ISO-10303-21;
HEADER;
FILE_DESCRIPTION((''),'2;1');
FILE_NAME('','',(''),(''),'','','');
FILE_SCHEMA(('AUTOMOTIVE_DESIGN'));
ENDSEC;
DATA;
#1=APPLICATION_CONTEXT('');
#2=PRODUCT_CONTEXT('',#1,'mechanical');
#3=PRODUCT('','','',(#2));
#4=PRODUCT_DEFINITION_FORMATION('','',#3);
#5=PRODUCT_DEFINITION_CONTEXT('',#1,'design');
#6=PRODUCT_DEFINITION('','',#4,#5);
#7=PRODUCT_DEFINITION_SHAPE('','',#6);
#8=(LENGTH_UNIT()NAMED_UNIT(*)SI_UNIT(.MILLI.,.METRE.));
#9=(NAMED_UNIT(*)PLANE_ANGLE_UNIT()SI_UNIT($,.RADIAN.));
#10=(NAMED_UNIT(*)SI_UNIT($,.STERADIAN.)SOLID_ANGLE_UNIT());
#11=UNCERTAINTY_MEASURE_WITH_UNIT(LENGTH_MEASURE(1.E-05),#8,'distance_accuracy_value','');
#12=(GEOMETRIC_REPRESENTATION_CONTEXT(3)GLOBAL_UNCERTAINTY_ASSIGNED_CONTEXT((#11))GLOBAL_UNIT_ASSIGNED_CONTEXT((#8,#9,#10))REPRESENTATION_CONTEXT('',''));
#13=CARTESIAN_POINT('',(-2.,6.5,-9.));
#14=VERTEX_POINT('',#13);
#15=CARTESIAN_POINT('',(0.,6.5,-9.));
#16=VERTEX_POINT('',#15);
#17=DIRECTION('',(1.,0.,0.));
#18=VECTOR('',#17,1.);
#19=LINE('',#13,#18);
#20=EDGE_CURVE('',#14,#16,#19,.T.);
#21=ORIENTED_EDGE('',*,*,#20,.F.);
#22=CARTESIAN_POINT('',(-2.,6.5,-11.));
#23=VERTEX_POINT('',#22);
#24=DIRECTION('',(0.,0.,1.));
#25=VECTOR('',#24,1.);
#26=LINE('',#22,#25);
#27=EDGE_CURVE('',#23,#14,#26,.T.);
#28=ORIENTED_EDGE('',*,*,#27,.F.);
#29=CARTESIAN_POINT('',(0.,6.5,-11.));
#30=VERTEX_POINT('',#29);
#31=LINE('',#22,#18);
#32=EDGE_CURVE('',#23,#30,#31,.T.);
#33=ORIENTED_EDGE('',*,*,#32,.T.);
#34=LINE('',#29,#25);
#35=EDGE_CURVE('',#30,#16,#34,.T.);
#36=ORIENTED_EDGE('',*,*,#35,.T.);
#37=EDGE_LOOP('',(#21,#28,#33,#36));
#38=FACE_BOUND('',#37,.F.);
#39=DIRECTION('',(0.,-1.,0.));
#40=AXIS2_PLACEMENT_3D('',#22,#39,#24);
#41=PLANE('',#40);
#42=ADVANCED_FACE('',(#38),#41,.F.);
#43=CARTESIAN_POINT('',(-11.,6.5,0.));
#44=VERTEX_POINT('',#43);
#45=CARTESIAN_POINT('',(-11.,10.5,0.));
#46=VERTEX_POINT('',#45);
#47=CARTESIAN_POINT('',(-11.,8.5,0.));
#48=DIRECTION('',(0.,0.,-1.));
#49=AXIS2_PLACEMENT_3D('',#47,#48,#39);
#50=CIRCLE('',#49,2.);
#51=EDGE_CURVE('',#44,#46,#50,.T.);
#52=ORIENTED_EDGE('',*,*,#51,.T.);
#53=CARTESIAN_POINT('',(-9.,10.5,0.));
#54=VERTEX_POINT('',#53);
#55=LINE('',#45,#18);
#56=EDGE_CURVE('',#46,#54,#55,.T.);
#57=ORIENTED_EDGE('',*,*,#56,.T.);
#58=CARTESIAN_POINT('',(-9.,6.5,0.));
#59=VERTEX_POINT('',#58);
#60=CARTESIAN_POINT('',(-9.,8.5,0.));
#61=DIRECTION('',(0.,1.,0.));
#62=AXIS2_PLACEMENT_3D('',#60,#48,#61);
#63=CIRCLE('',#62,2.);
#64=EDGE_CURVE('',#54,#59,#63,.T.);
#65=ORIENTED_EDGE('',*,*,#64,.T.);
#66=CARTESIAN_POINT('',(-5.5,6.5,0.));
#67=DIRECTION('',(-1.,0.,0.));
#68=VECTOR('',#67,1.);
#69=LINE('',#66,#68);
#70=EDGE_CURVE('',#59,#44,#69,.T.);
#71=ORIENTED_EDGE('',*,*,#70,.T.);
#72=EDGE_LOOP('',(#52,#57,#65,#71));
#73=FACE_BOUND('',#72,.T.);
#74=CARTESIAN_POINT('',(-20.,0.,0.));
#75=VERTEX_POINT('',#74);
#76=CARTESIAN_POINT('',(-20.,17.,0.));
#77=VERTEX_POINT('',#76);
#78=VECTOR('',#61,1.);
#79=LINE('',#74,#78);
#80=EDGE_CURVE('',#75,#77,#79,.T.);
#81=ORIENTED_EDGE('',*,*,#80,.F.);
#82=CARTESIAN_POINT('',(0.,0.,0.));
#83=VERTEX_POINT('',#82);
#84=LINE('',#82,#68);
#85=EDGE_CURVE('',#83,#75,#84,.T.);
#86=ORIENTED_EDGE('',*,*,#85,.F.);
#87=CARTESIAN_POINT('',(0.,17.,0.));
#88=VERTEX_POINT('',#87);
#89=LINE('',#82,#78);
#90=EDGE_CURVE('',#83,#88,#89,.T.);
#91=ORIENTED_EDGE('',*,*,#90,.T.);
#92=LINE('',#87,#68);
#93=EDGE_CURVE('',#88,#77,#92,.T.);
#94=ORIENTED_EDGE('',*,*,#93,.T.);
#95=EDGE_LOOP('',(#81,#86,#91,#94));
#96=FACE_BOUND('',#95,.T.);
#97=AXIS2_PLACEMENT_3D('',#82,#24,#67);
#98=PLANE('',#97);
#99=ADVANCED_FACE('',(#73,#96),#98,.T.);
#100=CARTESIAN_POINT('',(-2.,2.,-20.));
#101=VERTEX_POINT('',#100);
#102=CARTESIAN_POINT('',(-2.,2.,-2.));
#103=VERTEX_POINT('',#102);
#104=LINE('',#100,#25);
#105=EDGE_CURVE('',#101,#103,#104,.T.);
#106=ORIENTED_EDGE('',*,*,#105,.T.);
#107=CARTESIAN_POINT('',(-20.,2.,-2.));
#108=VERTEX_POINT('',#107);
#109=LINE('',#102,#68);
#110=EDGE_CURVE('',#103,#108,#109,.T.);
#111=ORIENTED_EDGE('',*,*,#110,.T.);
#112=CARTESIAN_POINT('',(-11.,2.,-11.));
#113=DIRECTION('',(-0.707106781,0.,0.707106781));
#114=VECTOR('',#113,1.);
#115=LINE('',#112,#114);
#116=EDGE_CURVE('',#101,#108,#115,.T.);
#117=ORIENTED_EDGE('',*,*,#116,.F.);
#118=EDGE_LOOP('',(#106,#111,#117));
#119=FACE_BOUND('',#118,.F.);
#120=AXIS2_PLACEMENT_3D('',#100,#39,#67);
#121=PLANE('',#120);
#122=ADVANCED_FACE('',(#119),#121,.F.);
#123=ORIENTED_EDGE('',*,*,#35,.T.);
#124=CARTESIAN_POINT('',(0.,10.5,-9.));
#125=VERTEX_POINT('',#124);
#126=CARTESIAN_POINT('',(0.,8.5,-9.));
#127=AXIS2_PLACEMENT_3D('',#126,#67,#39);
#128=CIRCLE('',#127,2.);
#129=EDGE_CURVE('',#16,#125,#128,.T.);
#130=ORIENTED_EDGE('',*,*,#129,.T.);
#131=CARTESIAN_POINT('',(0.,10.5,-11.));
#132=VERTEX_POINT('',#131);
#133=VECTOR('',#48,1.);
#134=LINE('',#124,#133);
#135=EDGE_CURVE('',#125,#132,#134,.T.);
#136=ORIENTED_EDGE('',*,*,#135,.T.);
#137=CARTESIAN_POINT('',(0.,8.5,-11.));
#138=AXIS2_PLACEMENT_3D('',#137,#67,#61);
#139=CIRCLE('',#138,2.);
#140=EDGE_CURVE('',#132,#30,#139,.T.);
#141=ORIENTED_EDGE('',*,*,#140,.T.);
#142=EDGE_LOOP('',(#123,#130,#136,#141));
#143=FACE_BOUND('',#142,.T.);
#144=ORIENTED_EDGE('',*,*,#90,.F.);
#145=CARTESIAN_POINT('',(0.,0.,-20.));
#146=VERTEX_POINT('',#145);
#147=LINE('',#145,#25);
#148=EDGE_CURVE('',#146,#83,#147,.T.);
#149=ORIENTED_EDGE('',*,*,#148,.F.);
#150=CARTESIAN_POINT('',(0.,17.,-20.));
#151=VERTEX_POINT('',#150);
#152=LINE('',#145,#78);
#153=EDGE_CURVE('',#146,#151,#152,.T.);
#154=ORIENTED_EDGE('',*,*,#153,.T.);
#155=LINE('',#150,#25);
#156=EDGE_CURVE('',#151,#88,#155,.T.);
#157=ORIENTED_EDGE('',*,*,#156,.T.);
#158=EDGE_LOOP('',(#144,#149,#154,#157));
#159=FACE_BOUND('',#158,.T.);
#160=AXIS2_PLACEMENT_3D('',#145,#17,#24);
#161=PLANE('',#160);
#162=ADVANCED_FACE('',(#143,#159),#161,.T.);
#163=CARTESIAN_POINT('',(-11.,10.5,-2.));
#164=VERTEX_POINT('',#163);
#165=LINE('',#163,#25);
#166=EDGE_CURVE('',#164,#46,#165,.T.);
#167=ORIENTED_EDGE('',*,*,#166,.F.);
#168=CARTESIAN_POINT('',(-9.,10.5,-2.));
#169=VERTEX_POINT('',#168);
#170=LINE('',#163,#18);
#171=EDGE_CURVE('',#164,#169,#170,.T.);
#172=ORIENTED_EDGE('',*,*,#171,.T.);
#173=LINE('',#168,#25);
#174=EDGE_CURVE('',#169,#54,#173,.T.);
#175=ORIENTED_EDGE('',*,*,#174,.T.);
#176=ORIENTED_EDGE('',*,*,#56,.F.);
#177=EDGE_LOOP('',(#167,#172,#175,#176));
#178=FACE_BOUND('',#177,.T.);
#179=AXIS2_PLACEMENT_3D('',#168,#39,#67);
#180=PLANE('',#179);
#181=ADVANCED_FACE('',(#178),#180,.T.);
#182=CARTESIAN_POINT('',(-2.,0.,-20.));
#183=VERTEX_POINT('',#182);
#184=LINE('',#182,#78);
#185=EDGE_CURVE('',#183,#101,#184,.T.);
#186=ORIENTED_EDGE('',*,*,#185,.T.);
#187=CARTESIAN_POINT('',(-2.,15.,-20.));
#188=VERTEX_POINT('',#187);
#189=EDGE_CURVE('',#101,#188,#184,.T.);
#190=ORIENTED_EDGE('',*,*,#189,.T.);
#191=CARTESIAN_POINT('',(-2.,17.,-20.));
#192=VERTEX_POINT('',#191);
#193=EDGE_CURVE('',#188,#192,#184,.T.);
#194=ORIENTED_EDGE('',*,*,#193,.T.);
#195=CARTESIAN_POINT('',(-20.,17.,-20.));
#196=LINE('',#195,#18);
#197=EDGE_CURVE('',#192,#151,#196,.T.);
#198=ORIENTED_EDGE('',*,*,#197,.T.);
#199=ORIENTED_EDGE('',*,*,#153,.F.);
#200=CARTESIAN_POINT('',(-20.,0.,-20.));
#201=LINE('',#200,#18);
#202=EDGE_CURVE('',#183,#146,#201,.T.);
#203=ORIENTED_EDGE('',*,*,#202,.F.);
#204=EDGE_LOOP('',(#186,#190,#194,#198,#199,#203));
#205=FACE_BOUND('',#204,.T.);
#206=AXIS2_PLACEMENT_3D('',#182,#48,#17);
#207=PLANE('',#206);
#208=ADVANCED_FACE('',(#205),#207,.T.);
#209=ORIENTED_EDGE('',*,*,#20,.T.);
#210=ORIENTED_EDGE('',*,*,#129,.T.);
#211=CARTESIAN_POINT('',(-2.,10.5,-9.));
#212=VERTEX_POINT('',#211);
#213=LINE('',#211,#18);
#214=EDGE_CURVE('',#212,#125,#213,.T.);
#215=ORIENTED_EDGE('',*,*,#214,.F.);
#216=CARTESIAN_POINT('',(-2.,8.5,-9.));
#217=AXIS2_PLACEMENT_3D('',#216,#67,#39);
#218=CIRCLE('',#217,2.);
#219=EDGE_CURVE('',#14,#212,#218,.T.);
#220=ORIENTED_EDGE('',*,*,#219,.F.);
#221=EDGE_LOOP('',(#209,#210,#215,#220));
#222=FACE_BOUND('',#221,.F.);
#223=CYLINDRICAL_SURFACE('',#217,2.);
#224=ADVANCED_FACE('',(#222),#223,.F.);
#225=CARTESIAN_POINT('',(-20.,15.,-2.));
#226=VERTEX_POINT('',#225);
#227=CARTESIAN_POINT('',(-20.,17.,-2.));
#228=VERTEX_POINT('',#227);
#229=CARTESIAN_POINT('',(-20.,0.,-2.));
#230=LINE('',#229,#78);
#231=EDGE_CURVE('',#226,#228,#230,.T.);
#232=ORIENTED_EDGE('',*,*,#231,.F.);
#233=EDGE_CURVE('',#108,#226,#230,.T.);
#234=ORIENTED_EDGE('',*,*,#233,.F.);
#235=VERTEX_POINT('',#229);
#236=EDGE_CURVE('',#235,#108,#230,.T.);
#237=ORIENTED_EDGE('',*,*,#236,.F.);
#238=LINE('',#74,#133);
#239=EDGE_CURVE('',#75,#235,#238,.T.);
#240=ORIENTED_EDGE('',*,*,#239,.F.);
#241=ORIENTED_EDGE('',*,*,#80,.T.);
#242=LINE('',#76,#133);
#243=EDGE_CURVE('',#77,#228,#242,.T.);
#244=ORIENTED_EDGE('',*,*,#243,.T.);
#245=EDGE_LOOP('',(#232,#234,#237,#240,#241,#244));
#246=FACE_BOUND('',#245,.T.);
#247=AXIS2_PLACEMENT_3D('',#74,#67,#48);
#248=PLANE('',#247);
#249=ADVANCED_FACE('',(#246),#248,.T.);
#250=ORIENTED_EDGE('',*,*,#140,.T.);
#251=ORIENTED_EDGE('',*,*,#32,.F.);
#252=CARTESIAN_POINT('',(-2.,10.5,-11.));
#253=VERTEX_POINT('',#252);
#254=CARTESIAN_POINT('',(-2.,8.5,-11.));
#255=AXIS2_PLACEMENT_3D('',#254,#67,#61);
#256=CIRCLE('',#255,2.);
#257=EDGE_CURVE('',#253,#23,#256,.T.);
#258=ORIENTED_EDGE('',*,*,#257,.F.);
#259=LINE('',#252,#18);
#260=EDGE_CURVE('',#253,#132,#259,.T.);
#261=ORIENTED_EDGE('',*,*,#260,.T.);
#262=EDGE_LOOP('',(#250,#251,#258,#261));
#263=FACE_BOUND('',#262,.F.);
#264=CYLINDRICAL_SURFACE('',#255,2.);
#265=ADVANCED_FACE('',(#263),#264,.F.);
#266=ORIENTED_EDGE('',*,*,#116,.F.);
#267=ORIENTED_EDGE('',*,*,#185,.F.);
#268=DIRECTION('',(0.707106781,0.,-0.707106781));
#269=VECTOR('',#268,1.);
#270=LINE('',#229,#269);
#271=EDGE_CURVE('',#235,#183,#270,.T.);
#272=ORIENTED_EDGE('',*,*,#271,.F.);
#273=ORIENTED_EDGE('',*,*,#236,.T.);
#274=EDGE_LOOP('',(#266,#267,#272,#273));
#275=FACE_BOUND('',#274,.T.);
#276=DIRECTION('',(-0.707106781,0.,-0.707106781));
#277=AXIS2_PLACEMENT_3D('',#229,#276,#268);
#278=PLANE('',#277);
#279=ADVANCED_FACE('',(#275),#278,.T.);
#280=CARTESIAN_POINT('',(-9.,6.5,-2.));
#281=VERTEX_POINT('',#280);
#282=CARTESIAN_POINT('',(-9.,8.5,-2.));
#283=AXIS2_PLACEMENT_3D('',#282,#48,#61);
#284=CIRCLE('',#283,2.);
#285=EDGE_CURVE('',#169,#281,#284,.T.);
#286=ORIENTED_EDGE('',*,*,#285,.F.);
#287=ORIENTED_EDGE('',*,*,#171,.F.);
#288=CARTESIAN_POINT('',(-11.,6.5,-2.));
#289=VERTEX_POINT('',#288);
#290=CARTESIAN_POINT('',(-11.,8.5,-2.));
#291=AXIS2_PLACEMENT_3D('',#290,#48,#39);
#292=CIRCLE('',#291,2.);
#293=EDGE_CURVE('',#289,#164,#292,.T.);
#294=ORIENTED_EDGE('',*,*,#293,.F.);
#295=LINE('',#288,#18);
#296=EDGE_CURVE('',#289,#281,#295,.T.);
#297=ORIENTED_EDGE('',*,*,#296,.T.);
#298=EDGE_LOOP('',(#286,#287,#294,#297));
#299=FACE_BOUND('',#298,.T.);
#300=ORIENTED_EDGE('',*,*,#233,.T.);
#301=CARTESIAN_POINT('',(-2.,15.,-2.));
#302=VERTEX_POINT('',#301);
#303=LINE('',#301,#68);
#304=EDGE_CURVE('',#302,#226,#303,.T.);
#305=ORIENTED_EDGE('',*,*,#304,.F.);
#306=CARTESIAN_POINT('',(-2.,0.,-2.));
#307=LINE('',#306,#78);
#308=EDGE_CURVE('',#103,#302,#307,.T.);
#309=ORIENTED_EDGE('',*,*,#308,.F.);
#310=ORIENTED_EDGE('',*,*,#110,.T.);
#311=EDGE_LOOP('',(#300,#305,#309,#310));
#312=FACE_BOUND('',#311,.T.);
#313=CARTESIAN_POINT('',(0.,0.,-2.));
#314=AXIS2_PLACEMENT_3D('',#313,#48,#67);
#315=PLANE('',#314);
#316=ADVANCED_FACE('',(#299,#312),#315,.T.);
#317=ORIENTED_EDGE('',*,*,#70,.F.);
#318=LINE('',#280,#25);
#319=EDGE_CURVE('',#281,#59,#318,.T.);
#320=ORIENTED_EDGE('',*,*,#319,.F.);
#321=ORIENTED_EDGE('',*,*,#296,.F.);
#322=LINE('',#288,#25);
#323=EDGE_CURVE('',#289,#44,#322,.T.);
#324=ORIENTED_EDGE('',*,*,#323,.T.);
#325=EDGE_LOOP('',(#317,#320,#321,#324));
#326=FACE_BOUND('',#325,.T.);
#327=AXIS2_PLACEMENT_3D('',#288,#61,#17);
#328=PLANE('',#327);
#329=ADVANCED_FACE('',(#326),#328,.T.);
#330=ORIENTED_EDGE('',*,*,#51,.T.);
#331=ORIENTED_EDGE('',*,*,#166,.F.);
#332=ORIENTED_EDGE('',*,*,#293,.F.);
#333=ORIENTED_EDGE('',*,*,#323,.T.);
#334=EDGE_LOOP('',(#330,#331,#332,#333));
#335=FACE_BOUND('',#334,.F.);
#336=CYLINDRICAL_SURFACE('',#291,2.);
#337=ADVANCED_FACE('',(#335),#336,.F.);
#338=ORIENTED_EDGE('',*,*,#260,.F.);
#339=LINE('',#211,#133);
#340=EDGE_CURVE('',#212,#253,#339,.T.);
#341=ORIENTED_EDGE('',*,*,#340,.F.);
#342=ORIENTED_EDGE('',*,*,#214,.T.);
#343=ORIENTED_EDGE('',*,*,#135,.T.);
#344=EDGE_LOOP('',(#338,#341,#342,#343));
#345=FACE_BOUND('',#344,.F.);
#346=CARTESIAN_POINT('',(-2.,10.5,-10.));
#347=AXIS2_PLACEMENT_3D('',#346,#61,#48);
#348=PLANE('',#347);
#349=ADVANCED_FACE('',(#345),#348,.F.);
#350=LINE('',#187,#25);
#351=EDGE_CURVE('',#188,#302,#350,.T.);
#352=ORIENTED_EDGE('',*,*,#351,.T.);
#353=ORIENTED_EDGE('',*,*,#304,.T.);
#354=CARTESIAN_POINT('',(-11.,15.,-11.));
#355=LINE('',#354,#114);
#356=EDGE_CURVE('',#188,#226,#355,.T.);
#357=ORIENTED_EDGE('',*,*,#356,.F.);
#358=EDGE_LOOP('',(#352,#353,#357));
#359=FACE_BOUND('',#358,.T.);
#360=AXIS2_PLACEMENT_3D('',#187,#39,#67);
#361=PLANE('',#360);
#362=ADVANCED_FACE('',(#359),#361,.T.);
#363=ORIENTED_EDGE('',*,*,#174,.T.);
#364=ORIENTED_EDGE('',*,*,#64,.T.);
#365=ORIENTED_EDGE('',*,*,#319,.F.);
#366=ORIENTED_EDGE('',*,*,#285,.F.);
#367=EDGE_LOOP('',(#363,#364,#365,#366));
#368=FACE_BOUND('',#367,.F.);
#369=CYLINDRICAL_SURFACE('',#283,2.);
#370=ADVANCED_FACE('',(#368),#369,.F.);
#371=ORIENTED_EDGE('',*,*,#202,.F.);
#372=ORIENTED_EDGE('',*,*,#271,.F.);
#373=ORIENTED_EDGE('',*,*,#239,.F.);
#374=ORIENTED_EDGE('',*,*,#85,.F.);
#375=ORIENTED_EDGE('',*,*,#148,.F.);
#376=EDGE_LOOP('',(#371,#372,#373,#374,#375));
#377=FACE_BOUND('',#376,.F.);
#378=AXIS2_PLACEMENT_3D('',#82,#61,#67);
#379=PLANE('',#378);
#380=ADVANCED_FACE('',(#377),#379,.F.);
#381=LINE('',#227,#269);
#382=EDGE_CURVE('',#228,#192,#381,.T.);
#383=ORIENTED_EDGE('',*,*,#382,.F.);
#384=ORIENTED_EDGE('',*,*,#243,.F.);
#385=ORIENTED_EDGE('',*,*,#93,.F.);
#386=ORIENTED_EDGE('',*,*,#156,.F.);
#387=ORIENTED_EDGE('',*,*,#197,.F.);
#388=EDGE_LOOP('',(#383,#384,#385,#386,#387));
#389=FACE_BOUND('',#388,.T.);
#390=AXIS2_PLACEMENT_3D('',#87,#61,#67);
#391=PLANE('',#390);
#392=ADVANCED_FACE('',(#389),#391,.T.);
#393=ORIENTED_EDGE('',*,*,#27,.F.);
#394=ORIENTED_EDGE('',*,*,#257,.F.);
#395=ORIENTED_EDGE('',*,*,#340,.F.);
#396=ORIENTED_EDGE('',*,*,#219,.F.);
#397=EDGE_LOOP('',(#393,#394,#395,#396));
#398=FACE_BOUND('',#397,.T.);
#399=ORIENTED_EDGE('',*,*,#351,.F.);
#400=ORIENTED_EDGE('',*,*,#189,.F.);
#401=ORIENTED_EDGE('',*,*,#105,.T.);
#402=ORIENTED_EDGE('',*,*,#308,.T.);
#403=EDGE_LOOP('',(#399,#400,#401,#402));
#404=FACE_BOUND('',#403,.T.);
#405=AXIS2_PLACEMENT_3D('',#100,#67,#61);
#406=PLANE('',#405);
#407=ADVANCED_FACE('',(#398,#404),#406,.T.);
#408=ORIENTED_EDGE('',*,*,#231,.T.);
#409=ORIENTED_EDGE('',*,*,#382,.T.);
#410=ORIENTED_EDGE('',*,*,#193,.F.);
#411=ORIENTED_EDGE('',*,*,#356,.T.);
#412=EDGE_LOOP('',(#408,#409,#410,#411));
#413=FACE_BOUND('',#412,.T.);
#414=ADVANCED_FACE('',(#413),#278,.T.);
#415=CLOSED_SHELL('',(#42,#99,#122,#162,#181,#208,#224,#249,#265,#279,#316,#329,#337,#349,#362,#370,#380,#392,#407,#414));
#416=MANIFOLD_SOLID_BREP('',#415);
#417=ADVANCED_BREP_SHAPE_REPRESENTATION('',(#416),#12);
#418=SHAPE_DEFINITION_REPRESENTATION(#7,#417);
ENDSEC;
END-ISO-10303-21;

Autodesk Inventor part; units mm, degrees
ref_plane "YZ Plane" through (0, 0, 0) normal (1, 0, 0) x (0, 1, 0)
ref_plane "XZ Plane" through (0, 0, 0) normal (0, 1, 0) x (-1, 0, 0)
ref_plane "XY Plane" through (0, 0, 0) normal (0, 0, 1) x (1, 0, 0)
sketch "Эскиз1" plane through (0, 0, 0) normal (0, 1, 0) x (-1, 0, 0)
  line L0 (0, 0) -> (20, 0)
  line L1 (20, 0) -> (20, -20)
  line L2 (20, -20) -> (0, -20)
  line L3 (0, -20) -> (0, 0)
  line L4 (20, 0) -> (20, -2)
  line L5 (0, -20) -> (2, -20)
  line L6 (20, -2) -> (2, -20)
  dimension "d0" = 20
  dimension "d1" = 20
  dimension "d2" = 2
  dimension "d3" = 2
extrude "Выдавливание1" add sketch "Эскиз1" along normal blind 17 contours L0 L1 L6 L2 L3
sketch "Эскиз2" plane through (0, 0, -20) normal (0, 0, -1) x (-1, 0, 0)
  line L0 (0, 17) -> (2, 17) projected
  line L1 (2, 17) -> (2, 15)
  line L2 (2, 0) -> (2, 17) projected
  line L3 (2, 15) -> (20, 15)
  line L4 (20, 0) -> (20, 17) projected
  line L5 (0, 0) -> (2, 0) projected
  line L6 (2, 0) -> (2, 2)
  line L7 (2, 2) -> (20, 2)
  line L8 (20, 2) -> (20, 15)
  line L9 (2, 15) -> (2, 2)
  dimension "d6" = 2
  dimension "d7" = 2
extrude "Выдавливание2" cut sketch "Эскиз2" against normal blind 18
sketch "Эскиз3" plane through (0, 0, -2) normal (0, 0, -1) x (-1, 0, 0)
  line L0 (0, 0) -> (0, 17) projected
  line L1 (10, 10.2321) -> (10, 10.5)
  line L2 (10, 10.5) -> (11, 10.5)
  line L3 (11, 6.5) -> (9, 6.5)
  line L4 (9, 10.5) -> (10, 10.5)
  arc A0 (11, 6.5) -> (11, 10.5) centre (11, 8.5) ccw
  arc A1 (9, 10.5) -> (9, 6.5) centre (9, 8.5) ccw
  line L5 (10, 10.5) -> (10, 8.5)
  line L6 (0, 8.5) -> (7, 8.5)
  line L7 (9, 8.5) -> (10, 8.5)
  dimension "d10" = 10
  dimension "d11" = 2
  dimension "d13" = 1
extrude "Выдавливание3" cut sketch "Эскиз3" against normal blind 10
sketch "Эскиз4" plane through (-2, 2, -20) normal (-1, 0, 0) x (0, 0, 1)
  line L0 (0, 0) -> (0, 13) projected
  line L1 (0, 6.5) -> (10, 6.5)
  line L2 (10, 8.2321) -> (10, 8.5)
  line L3 (10, 8.5) -> (9, 8.5)
  line L4 (9, 4.5) -> (11, 4.5)
  line L5 (11, 8.5) -> (10, 8.5)
  arc A0 (9, 8.5) -> (9, 4.5) centre (9, 6.5) ccw
  arc A1 (11, 4.5) -> (11, 8.5) centre (11, 6.5) ccw
  point P0 (20, -2)
  dimension "d17" = 10
extrude "Выдавливание4" cut sketch "Эскиз4" against normal blind 2
properties part number "угол"
